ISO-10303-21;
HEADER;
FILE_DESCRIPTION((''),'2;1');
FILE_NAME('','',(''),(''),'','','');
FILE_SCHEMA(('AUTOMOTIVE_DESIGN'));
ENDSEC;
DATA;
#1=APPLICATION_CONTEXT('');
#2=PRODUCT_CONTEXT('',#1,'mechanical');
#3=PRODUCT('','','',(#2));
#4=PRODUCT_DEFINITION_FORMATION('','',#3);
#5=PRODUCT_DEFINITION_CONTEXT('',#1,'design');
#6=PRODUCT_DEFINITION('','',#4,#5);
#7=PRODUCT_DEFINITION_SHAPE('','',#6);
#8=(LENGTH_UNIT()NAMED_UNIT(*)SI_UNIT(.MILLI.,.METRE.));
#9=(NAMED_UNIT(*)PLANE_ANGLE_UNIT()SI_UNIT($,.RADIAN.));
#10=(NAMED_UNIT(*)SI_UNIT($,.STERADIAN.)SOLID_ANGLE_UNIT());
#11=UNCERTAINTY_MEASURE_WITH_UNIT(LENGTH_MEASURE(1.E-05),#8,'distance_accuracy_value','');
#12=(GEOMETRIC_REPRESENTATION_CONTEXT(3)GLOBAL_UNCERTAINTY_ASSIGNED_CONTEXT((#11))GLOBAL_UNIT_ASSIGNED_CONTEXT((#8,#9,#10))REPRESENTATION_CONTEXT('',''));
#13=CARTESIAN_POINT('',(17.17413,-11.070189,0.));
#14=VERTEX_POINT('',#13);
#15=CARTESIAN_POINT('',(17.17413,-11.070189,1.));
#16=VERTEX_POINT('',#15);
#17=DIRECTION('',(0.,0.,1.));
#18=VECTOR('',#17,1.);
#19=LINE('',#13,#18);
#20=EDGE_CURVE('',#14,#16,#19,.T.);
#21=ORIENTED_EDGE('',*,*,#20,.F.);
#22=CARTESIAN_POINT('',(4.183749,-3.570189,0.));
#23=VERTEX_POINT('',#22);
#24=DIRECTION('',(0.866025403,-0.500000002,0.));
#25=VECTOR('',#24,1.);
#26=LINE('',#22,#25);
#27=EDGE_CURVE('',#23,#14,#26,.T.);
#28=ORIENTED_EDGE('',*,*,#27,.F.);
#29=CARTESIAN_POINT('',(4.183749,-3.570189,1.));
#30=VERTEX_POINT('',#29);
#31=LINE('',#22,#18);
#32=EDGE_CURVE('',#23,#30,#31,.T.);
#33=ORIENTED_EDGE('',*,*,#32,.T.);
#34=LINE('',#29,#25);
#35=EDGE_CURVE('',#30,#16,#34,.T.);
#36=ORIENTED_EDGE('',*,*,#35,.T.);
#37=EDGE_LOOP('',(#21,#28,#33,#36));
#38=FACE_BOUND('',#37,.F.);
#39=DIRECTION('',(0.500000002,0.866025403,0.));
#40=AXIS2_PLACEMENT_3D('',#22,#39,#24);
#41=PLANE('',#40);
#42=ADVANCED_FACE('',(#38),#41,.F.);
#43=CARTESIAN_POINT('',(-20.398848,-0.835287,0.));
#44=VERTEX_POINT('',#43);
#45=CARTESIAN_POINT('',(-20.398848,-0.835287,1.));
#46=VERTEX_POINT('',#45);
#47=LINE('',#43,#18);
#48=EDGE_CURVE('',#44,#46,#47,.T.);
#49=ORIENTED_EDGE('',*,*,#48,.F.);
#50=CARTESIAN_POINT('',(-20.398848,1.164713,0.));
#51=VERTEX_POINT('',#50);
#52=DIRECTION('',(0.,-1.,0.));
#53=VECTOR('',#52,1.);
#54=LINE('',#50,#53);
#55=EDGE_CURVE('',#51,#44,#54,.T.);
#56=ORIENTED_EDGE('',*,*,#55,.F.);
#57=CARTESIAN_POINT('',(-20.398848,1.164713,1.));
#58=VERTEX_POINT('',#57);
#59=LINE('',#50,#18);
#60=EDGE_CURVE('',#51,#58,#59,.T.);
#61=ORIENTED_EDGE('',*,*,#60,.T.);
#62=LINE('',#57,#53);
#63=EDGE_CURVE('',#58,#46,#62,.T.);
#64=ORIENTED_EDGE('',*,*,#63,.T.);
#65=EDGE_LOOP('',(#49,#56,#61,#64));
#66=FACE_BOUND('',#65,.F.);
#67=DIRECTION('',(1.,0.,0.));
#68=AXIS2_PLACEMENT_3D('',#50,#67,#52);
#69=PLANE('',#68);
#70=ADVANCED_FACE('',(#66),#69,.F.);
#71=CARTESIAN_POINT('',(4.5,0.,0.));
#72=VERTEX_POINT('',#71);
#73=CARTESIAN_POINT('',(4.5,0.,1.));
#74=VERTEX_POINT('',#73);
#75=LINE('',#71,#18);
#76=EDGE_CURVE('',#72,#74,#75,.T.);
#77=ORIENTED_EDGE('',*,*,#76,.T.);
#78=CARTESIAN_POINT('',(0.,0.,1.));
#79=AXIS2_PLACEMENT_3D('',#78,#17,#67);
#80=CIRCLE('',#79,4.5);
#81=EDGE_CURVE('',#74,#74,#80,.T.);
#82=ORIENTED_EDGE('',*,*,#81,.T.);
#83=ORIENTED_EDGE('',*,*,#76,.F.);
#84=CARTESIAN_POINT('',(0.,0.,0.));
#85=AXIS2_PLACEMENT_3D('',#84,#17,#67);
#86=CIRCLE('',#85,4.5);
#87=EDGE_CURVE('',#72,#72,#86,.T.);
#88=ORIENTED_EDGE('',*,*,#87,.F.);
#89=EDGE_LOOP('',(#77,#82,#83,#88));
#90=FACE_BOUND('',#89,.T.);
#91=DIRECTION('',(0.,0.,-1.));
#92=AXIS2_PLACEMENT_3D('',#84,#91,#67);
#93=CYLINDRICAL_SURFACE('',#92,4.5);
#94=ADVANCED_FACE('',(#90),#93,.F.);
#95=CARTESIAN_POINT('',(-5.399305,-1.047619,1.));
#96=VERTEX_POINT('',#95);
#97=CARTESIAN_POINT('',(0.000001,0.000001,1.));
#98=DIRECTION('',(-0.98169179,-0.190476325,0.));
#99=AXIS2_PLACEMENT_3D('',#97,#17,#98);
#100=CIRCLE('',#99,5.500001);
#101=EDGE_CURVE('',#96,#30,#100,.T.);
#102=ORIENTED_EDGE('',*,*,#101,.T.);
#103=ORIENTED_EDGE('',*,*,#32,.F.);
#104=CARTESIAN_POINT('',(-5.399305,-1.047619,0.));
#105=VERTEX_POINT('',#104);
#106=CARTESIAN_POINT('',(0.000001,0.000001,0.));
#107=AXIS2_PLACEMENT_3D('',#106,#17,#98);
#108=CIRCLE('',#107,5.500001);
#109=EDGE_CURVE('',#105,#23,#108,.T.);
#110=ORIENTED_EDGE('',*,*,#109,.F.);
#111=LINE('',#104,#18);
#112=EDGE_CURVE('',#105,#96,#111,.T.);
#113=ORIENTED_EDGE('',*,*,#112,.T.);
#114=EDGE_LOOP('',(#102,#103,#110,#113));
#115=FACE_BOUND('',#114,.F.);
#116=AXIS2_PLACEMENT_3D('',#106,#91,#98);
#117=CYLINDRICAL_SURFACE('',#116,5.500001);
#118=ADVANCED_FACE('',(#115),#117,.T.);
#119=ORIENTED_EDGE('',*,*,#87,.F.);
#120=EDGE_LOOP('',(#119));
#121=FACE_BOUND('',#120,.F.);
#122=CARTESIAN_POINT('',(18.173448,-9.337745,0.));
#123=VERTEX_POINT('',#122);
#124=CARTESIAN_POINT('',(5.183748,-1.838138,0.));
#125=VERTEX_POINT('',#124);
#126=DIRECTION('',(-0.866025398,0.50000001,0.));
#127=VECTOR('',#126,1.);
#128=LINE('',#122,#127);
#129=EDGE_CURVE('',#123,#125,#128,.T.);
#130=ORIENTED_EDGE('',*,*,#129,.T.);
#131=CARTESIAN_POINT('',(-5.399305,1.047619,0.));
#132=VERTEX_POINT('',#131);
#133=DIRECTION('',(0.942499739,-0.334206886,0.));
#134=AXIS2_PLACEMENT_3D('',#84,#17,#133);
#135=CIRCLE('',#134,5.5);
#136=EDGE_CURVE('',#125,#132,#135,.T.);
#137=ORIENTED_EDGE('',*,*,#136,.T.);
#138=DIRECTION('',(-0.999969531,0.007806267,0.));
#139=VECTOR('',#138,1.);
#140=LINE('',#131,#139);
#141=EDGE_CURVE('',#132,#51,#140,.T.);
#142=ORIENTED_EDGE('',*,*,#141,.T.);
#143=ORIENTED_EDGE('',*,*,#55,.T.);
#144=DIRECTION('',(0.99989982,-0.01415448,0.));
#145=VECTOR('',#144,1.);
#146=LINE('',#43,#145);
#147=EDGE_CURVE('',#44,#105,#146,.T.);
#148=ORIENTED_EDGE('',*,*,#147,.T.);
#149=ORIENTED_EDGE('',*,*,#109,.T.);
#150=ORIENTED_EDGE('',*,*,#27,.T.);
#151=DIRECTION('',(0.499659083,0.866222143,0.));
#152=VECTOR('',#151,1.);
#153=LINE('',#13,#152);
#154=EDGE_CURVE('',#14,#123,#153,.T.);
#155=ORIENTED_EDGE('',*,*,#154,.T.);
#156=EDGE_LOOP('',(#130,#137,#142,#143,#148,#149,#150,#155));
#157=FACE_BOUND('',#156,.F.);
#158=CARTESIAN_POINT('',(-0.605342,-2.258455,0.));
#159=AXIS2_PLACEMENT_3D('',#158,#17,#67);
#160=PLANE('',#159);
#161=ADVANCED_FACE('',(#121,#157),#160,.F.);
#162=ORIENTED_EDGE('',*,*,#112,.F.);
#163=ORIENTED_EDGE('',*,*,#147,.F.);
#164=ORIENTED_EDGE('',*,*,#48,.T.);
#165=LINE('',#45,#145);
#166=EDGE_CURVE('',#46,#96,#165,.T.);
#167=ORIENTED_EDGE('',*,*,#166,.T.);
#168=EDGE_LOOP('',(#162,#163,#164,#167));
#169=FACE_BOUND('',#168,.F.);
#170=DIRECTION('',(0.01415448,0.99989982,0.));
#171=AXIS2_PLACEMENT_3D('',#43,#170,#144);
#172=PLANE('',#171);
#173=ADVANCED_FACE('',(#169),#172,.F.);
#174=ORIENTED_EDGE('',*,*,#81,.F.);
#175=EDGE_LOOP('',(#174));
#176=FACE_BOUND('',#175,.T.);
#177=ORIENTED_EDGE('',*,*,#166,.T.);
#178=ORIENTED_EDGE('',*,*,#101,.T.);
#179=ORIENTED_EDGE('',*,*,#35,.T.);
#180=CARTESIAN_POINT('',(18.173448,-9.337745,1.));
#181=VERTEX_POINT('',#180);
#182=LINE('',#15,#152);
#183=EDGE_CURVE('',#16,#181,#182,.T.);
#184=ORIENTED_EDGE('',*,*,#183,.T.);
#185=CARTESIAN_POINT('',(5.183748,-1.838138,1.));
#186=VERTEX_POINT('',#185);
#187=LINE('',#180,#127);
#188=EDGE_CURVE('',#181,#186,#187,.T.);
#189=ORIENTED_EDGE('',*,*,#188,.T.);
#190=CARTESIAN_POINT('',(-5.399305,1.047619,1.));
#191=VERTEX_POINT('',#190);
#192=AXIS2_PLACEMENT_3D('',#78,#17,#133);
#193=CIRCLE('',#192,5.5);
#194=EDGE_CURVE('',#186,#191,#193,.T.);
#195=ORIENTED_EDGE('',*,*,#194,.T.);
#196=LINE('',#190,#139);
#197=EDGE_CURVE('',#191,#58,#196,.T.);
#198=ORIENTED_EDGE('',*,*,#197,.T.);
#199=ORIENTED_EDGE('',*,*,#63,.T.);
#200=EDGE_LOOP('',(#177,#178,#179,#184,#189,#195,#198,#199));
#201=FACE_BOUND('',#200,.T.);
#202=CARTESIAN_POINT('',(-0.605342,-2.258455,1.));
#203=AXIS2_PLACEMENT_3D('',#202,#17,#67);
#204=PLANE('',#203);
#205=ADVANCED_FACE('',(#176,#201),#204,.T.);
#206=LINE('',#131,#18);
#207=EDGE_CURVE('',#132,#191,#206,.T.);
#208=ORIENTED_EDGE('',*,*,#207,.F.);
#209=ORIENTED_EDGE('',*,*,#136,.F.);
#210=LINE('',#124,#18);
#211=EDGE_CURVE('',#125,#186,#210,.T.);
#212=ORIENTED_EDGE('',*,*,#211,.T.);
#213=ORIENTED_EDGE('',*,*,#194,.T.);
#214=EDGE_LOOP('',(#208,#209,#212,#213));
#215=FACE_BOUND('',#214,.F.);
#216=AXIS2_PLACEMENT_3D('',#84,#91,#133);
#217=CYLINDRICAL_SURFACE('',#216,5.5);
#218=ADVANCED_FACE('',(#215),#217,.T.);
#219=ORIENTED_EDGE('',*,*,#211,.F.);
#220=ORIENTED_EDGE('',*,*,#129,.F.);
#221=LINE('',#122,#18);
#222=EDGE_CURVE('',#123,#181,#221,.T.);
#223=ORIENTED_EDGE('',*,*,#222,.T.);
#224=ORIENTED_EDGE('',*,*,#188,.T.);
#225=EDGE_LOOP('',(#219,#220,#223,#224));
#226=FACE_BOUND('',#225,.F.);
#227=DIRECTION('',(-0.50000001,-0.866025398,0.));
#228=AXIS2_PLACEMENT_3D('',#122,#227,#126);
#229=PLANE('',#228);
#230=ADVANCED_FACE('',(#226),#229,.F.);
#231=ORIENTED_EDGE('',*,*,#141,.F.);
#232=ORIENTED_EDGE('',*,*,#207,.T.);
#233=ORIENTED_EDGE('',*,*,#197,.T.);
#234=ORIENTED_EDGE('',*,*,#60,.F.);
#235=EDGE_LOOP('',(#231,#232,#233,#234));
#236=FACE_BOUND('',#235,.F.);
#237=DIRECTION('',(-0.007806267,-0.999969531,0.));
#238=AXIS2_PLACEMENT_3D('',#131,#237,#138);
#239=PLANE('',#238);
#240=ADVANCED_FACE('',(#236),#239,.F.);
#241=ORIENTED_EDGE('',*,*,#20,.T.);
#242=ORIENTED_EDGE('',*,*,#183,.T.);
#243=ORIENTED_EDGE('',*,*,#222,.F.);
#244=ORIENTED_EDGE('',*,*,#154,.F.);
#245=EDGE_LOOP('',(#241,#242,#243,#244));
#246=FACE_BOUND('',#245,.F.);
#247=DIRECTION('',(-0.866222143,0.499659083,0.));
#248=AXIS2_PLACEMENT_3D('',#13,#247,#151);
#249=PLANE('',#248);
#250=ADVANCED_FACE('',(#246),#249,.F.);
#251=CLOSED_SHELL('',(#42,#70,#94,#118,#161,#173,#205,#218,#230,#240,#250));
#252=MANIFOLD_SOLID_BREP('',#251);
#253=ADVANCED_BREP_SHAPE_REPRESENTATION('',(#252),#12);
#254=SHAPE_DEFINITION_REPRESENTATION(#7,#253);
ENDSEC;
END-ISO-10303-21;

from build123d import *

# Parameters (mm, degrees)
F0_R     = 4.5
F1_DEPTH = 1


with BuildPart() as f1:
    # F0 (on Top) → F1 (new body)
    with BuildSketch(Plane.XY):
        with BuildLine():
            Line((-20.398848, -0.835287), (-5.399305, -1.047619))
            ThreePointArc((-5.399305, -1.047619), (-1.400084, -5.318812), (4.183749, -3.570189))
            Line((4.183749, -3.570189), (17.17413, -11.070189))
            Line((17.17413, -11.070189), (18.173448, -9.337745))
            Line((18.173448, -9.337745), (5.183748, -1.838138))
            ThreePointArc((5.183748, -1.838138), (1.446898, 5.306268), (-5.399305, 1.047619))
            Line((-5.399305, 1.047619), (-20.398848, 1.164713))
            Line((-20.398848, 1.164713), (-20.398848, -0.835287))
        make_face()
        Circle(F0_R, mode=Mode.SUBTRACT)
    extrude(amount=F1_DEPTH)


solid = f1.part
